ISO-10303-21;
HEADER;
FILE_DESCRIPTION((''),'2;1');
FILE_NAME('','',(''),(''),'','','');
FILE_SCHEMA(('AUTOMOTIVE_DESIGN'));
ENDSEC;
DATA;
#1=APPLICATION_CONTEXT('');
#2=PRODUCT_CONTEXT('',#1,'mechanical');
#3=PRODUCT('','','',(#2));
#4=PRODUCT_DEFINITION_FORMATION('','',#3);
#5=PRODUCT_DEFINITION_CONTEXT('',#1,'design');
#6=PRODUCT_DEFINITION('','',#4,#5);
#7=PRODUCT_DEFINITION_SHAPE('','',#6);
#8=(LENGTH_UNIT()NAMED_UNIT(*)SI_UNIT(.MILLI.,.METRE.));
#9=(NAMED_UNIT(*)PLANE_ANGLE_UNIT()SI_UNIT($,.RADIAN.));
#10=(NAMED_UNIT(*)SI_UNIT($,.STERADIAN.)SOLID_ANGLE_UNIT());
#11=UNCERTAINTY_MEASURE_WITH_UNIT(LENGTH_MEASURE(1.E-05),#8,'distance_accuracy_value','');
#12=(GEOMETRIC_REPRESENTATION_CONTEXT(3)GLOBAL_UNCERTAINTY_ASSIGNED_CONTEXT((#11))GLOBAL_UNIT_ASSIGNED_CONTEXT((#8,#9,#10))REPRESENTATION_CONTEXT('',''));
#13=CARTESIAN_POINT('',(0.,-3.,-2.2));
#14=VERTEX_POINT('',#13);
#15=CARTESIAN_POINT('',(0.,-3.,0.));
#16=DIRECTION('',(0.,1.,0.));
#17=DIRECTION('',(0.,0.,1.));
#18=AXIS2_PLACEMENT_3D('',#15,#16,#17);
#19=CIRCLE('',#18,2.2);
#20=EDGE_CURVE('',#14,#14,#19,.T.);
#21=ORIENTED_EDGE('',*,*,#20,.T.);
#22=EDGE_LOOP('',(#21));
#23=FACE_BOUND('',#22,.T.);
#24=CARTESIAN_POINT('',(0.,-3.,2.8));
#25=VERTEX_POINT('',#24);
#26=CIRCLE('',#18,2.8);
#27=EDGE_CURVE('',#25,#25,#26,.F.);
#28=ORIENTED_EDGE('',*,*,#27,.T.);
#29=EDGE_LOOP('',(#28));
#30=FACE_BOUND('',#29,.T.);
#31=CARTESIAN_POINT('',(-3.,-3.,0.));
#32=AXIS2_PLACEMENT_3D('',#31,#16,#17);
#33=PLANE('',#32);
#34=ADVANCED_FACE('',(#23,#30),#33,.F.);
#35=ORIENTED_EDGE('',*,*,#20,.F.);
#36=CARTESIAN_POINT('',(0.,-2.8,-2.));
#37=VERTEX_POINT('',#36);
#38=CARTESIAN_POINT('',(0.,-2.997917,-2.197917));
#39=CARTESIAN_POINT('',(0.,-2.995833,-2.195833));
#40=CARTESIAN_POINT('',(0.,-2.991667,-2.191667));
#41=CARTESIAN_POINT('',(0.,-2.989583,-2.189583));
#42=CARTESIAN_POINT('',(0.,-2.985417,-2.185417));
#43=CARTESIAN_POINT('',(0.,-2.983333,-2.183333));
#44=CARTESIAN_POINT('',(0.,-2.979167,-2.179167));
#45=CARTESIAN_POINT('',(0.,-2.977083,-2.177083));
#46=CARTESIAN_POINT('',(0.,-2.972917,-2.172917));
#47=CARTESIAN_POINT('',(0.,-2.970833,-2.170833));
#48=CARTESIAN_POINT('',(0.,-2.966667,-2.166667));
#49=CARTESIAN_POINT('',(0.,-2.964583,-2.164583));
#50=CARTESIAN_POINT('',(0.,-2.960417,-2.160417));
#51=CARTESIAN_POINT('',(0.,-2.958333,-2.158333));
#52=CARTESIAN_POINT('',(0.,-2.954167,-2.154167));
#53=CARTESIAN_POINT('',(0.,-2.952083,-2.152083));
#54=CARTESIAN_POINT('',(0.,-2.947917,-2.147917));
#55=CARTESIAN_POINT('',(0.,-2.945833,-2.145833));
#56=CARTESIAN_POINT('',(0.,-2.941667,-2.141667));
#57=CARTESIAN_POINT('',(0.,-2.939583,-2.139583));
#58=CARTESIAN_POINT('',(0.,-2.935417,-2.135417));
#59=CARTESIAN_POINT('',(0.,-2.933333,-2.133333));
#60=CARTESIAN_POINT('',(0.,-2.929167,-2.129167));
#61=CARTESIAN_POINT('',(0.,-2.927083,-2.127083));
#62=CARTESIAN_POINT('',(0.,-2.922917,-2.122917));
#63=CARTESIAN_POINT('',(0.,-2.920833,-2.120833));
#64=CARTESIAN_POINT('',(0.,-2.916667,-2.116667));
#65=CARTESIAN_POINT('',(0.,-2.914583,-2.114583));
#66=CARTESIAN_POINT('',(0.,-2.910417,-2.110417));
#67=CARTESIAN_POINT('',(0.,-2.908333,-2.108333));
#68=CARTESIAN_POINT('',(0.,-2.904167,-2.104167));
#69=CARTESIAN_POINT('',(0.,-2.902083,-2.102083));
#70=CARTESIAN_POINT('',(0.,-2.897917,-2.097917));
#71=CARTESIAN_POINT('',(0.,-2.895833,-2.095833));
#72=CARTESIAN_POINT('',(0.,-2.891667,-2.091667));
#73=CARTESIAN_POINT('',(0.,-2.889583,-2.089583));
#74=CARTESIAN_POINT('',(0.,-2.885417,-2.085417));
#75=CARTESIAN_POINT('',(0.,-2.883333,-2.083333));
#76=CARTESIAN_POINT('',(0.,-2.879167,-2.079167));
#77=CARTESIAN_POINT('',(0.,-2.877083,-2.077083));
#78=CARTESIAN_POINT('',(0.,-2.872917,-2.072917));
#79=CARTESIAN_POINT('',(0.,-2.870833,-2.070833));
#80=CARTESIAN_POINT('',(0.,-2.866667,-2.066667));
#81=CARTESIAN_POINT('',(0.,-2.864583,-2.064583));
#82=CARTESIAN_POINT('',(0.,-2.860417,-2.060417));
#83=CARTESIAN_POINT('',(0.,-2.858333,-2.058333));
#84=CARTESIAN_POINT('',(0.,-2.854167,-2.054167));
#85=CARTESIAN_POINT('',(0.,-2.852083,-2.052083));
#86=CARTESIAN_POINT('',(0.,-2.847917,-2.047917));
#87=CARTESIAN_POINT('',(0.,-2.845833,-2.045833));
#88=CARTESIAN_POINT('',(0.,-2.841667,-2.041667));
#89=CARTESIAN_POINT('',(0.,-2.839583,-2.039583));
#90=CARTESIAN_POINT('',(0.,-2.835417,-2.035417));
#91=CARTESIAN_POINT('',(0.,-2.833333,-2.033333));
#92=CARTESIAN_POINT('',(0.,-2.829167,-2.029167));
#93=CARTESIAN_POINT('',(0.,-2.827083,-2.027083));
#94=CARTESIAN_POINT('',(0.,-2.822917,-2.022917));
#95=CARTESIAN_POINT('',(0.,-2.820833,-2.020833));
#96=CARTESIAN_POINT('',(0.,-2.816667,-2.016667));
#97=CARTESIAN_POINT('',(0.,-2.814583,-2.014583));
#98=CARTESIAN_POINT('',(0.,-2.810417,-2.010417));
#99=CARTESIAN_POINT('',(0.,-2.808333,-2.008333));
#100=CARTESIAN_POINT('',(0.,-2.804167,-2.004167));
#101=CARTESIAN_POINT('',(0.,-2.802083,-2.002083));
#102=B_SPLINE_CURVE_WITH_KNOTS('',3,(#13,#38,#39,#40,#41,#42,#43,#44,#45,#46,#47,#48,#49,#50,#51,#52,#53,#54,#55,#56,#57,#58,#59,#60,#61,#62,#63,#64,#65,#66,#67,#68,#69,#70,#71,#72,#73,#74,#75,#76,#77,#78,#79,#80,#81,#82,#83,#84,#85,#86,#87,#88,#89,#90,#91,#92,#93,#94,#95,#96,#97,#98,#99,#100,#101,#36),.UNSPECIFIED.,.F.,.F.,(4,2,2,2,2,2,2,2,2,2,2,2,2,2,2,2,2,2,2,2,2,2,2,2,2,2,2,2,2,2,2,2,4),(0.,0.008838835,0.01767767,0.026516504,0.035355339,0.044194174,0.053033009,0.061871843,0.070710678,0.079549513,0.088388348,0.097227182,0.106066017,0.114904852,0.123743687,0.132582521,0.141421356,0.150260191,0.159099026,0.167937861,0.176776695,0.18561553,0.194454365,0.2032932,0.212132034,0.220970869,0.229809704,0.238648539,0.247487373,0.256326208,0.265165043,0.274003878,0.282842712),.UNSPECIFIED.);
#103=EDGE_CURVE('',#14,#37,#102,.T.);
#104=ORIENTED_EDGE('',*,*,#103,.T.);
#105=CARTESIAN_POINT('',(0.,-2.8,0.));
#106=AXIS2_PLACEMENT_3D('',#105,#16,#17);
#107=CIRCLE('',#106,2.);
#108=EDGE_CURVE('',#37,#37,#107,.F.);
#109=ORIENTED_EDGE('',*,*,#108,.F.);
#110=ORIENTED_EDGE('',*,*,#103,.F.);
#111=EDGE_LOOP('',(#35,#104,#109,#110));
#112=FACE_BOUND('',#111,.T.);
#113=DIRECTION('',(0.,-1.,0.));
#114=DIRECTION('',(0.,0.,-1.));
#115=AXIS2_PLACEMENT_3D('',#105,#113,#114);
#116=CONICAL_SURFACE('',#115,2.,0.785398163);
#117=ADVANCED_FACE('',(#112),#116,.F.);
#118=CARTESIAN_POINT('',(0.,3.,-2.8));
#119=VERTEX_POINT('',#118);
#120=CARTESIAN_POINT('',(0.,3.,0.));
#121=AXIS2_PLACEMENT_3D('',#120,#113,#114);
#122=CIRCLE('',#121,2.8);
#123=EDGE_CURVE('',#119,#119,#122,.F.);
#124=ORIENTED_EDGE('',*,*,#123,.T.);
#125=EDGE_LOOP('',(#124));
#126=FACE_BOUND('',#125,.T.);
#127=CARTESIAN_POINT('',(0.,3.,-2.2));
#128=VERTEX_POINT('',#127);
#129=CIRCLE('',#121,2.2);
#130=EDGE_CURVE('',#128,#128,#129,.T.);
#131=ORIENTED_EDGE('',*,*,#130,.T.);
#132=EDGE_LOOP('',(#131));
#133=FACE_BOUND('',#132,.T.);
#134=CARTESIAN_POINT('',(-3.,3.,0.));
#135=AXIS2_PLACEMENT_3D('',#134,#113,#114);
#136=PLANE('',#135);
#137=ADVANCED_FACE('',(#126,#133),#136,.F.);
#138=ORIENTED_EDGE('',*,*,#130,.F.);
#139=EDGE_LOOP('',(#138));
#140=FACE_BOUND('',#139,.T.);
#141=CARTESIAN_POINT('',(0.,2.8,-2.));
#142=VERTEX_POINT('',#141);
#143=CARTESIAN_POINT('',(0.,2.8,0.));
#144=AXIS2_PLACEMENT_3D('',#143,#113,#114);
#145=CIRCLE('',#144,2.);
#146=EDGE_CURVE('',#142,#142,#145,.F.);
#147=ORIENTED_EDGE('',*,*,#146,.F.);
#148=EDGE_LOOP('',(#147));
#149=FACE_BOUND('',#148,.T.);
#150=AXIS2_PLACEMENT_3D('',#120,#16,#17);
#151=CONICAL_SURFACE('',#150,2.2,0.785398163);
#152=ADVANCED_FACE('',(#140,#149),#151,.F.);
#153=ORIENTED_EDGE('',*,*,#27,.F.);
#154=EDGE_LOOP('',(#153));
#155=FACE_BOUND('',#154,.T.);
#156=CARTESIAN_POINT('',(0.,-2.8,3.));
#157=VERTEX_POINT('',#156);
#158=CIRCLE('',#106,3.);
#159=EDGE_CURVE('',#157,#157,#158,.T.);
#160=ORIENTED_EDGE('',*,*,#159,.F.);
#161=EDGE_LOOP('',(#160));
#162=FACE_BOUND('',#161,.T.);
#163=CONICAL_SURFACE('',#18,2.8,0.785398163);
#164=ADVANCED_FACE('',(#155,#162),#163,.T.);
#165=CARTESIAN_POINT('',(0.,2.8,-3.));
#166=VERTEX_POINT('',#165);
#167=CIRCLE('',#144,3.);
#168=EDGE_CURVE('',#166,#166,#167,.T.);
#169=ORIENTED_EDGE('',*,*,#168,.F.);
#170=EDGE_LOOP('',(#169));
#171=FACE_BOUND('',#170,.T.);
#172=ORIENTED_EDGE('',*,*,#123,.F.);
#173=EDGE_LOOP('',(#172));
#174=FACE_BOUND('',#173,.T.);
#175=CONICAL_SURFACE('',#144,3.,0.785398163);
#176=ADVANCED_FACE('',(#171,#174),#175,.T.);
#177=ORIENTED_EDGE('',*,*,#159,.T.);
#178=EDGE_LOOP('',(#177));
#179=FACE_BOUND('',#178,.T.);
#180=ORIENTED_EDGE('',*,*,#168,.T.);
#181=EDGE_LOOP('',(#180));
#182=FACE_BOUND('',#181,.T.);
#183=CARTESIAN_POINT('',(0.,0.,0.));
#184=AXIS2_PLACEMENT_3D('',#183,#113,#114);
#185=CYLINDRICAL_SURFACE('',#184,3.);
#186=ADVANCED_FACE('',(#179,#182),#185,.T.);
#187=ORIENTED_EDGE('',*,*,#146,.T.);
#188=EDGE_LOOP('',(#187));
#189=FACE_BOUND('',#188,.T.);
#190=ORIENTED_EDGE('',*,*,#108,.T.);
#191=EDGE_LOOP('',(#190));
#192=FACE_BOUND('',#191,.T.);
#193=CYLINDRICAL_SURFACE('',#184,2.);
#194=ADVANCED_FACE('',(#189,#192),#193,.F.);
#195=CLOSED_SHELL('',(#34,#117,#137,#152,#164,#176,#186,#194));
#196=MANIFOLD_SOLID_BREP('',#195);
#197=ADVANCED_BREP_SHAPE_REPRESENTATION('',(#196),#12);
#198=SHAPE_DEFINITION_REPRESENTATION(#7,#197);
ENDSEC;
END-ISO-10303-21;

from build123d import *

# Parameters (mm, degrees)
SKETCH_1_W     = 1
SKETCH_1_H     = 6
CHAMFER_1_SIZE = 0.2


with BuildPart() as part:
    # 草图1 → 旋转1 (revolve)
    with BuildSketch(Plane.XY, mode=Mode.PRIVATE) as revolve_1_sk:
        with Locations((-2.5, 0)):
            Rectangle(SKETCH_1_W, SKETCH_1_H)
    revolve(revolve_1_sk.sketch.rotate(Axis((0, 0, 0), (0, 1, 0)), 270), axis=Axis((0, 0, 0), (0, 1, 0)))

    # 倒角1
    chamfer_1_edges = [part.edges().sort_by_distance(p)[0] for p in [
        (0, 3, 2),
        (0, 3, 3),
        (0, -3, 3),
        (0, -3, 2),
    ]]
    chamfer(chamfer_1_edges, length=CHAMFER_1_SIZE)


solid = part.part
